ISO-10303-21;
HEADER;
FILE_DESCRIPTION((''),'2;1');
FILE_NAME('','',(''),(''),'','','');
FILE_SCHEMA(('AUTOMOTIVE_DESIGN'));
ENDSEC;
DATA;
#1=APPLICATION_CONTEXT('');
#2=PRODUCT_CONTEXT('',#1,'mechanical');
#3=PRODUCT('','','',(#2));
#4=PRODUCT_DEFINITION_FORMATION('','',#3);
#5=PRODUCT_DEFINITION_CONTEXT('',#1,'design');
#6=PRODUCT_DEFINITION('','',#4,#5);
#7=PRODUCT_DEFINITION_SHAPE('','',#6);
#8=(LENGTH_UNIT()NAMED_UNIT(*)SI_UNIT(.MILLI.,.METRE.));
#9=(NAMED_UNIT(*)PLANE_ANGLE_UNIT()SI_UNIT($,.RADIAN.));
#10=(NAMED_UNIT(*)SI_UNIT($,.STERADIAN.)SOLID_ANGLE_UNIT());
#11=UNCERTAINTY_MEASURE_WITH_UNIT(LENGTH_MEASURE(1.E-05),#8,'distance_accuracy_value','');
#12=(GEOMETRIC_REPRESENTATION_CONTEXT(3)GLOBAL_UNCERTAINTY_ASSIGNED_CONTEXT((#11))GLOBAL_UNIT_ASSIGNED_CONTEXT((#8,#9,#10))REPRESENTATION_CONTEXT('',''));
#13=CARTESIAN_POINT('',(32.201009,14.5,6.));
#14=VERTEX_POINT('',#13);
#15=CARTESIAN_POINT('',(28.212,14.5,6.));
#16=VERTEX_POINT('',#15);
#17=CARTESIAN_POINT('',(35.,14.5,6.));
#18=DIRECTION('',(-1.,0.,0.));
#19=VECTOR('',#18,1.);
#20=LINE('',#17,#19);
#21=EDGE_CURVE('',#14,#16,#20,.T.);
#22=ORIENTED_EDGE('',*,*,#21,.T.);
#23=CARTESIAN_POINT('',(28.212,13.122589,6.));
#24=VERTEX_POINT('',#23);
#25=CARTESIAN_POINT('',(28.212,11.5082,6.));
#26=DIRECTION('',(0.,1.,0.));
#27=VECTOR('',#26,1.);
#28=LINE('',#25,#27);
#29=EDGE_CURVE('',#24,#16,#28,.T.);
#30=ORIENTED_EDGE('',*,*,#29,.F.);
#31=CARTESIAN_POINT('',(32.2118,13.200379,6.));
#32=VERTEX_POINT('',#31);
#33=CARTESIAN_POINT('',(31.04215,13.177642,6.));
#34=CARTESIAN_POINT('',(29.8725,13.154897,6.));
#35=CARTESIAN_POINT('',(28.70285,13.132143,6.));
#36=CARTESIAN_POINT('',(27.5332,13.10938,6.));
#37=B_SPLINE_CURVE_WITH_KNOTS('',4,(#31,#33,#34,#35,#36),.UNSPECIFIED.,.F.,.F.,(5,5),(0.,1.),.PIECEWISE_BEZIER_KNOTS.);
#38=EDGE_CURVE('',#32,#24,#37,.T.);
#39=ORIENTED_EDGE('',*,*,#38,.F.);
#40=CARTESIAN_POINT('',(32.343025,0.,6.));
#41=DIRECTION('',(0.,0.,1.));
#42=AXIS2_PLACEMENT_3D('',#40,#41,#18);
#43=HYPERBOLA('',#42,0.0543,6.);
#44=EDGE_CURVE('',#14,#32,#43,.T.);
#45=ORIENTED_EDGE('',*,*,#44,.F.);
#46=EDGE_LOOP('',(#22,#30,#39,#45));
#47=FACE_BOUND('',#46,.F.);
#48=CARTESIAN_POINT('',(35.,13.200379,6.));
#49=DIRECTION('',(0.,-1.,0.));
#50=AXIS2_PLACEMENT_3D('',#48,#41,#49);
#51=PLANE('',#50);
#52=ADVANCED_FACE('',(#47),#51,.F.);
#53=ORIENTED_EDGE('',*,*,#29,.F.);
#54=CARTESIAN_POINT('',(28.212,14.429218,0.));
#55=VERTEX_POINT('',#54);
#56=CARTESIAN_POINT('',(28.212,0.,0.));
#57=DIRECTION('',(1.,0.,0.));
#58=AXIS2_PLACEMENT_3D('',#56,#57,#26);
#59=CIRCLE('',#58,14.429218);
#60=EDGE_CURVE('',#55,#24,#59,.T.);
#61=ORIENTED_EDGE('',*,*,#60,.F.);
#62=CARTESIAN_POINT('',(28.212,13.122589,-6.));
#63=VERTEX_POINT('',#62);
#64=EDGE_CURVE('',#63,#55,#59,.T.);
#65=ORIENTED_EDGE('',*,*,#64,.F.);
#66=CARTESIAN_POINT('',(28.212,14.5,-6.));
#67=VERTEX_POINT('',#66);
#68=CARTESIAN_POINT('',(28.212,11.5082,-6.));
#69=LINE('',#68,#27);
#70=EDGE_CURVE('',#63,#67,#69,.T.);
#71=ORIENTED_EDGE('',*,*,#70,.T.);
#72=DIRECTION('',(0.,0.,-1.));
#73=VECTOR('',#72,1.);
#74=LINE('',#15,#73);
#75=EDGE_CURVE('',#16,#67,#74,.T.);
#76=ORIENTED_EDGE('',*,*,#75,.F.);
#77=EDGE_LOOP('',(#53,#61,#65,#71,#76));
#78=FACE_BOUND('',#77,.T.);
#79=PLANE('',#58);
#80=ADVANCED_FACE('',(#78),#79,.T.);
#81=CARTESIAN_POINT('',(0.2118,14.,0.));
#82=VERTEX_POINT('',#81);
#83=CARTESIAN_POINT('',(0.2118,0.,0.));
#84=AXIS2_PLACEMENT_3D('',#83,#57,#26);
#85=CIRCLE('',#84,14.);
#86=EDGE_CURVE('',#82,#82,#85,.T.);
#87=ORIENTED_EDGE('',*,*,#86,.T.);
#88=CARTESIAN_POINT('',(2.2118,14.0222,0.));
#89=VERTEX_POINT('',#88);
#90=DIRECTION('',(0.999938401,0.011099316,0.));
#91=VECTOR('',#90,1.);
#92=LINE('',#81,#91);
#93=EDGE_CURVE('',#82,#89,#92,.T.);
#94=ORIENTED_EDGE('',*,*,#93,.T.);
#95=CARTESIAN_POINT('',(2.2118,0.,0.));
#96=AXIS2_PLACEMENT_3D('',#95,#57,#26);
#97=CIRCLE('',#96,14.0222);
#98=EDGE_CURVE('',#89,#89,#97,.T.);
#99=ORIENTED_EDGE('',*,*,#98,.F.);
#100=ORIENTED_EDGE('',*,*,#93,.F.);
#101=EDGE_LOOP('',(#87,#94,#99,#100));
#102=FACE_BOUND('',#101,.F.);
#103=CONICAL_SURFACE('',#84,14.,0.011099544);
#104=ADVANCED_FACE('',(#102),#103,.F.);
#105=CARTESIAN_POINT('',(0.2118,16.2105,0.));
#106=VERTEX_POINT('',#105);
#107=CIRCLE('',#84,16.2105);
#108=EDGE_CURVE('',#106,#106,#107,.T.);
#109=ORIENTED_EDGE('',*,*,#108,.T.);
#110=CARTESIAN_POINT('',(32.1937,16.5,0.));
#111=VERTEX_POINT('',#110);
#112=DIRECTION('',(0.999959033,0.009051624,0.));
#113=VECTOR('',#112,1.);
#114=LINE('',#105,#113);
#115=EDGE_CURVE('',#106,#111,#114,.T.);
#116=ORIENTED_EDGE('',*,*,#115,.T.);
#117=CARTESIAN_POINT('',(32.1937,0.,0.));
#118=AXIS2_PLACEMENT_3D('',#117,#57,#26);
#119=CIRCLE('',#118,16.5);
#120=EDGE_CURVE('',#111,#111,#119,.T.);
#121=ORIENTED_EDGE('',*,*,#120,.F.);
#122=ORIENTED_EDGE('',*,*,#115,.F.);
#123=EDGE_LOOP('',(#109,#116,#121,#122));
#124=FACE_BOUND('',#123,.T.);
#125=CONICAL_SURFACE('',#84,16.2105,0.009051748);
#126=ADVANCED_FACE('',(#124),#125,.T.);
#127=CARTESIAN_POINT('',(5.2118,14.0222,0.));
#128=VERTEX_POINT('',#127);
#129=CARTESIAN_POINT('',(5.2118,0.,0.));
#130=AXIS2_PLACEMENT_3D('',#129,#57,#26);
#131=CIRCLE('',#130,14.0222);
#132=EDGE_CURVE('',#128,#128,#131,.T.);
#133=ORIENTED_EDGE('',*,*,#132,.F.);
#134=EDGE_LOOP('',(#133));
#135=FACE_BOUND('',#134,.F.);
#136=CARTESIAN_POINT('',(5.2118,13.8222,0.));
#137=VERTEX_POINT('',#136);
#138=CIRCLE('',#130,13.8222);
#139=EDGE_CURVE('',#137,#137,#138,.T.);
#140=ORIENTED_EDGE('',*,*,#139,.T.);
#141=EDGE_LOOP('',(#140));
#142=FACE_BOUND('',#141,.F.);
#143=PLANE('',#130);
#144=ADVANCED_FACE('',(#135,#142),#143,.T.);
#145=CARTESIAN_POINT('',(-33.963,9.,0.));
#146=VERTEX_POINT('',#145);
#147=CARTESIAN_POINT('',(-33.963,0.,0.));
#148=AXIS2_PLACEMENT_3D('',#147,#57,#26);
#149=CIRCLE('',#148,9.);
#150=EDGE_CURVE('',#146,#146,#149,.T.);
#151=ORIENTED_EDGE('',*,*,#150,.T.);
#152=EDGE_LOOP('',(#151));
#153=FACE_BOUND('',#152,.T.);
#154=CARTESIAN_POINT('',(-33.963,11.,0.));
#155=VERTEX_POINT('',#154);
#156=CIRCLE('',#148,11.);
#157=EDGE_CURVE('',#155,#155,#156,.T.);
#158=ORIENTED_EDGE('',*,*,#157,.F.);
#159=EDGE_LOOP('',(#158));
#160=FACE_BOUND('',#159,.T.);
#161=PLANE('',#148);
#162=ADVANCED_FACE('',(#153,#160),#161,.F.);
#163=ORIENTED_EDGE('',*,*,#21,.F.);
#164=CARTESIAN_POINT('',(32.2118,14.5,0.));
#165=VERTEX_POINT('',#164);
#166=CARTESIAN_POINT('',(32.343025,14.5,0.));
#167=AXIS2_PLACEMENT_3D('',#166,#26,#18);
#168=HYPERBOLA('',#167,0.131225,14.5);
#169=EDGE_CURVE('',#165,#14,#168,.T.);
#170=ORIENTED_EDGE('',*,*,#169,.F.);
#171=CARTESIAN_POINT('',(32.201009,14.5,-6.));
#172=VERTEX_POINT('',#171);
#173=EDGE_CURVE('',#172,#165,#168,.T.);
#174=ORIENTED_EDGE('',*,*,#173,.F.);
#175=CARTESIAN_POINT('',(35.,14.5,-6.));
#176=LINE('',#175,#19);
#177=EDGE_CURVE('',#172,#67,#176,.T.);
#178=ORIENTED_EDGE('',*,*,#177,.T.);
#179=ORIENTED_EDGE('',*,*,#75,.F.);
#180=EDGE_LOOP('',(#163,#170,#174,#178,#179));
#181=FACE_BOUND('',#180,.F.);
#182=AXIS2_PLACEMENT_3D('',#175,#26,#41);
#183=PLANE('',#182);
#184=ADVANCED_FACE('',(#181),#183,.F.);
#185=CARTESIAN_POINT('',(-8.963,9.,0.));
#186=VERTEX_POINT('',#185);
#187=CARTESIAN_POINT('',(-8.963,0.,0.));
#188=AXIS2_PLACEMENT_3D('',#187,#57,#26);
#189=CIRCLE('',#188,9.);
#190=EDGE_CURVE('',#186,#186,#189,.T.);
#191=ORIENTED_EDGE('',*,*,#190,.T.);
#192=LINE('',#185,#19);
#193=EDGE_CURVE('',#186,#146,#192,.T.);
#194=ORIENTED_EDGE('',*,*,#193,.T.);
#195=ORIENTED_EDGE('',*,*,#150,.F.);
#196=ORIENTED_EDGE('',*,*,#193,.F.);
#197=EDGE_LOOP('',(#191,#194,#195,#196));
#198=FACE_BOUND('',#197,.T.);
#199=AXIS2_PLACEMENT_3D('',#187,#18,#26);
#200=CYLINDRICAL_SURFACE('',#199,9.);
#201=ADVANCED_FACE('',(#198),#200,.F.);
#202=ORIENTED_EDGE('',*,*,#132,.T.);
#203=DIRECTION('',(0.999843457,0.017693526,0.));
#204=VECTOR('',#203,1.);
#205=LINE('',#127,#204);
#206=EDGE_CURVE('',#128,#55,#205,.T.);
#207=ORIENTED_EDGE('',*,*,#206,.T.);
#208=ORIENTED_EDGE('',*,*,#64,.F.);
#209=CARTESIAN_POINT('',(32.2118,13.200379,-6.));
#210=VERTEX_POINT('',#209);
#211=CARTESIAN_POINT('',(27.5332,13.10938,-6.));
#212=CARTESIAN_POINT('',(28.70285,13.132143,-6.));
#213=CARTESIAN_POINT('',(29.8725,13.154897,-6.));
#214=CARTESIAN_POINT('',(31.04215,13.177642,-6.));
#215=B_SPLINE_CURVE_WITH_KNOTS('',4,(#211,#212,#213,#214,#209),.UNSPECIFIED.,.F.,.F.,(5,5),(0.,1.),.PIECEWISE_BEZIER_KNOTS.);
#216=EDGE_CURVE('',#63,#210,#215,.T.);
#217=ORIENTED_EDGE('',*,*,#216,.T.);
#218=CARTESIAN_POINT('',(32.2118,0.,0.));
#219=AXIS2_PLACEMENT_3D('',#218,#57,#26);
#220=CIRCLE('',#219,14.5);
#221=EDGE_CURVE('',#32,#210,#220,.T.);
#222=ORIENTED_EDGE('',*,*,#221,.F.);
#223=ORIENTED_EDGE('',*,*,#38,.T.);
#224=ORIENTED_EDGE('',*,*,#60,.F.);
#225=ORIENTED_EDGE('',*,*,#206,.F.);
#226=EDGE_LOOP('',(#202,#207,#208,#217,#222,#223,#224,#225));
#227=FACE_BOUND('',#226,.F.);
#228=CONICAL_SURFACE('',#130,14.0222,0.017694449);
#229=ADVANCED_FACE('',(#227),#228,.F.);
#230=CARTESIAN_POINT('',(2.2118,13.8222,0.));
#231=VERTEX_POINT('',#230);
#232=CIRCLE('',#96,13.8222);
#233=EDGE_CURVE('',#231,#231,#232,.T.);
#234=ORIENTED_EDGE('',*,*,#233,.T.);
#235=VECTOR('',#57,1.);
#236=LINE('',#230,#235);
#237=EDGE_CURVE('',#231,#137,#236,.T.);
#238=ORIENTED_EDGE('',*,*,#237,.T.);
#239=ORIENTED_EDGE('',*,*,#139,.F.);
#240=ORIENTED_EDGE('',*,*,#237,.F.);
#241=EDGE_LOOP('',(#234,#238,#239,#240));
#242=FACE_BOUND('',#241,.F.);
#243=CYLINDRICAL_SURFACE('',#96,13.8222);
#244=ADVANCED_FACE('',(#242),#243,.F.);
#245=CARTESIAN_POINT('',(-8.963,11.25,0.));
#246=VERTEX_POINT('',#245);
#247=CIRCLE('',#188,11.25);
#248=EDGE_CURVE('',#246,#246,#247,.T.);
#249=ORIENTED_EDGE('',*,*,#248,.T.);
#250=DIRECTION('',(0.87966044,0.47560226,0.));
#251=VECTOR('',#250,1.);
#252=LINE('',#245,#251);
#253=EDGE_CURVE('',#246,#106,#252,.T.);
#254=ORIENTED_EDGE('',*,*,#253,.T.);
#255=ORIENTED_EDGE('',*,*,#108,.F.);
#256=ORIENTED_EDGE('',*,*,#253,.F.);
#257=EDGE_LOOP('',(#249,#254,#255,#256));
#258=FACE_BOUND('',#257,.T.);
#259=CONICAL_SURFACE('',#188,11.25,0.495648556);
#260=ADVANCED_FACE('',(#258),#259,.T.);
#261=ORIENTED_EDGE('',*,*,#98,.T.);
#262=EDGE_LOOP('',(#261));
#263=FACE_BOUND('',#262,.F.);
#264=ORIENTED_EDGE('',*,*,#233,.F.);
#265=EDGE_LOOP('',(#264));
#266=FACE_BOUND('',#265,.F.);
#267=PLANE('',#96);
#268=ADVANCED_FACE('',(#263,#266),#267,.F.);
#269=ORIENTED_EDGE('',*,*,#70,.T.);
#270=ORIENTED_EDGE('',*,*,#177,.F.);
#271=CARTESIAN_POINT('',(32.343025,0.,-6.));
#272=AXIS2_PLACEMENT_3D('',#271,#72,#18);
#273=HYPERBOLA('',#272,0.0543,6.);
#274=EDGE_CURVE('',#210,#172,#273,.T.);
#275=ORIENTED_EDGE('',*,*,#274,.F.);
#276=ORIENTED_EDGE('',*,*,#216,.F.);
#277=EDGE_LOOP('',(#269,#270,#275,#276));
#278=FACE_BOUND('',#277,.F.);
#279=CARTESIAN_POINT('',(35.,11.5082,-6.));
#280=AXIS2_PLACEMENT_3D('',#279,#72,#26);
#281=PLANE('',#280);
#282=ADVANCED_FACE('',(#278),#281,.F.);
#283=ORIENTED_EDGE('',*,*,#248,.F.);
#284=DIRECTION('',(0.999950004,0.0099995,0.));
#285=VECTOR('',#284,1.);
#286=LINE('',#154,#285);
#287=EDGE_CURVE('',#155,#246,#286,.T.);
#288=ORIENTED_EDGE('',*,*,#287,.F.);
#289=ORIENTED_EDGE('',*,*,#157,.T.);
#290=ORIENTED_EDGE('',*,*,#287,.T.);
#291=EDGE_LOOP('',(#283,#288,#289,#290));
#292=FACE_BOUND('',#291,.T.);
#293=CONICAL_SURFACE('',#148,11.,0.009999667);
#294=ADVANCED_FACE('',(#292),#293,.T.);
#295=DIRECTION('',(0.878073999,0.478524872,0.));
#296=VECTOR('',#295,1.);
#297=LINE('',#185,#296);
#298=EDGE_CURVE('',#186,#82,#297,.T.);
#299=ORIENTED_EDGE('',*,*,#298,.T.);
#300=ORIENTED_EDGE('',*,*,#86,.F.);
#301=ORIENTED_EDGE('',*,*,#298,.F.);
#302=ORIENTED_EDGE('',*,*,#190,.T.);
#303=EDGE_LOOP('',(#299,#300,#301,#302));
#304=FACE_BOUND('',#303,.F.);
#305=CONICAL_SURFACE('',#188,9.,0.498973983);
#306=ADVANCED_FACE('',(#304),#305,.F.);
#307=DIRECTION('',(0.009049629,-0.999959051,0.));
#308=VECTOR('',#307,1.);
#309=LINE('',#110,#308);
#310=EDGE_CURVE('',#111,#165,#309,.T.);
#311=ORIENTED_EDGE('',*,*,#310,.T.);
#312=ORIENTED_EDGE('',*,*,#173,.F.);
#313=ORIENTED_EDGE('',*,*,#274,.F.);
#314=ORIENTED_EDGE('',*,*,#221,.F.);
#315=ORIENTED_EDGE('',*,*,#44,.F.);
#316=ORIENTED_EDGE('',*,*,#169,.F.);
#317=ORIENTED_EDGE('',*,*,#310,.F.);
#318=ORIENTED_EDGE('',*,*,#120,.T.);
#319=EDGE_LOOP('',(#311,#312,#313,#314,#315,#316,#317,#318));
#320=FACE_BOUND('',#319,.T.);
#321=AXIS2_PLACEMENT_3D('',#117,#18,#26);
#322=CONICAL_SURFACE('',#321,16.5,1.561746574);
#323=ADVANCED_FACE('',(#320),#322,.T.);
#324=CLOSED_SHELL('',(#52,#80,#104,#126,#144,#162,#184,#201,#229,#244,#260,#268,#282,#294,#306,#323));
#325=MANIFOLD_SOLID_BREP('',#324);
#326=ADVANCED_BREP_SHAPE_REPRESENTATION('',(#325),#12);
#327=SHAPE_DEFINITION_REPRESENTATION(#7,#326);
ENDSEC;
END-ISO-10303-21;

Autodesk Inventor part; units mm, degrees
ref_plane "XZ Plane" through (0, 0, 0) normal (0, 1, 0) x (-1, 0, 0)
ref_plane "XY Plane" through (0, 0, 0) normal (0, 0, 1) x (1, 0, 0)
sketch "Sketch1" plane through (0, 0, 0) normal (0, 0, 1) x (1, 0, 0)
  line L0 (0.2085, 0) -> (9, 0)
  line L1 (2.2118, 14.0222) -> (2.2118, 13.8222)
  line L2 (2.2118, 13.8222) -> (5.2118, 13.8222)
  line L3 (5.2118, 13.8222) -> (5.2118, 14.0222)
  line L4 (0.2118, 14) -> (2.2118, 14.0222)
  line L5 (5.2118, 14.0222) -> (32.2118, 14.5)
  line L6 (-8.963, 9) -> (0.2118, 14)
  line L7 (-8.963, 9) -> (-33.963, 9)
  line L8 (-33.963, 9) -> (-33.963, 11)
  line L9 (-33.963, 11) -> (-8.963, 11.25)
  line L10 (-8.963, 11.25) -> (0.2118, 16.2105)
  line L11 (0.2118, 16.2105) -> (32.1937, 16.5)
  line L12 (32.1937, 16.5) -> (32.2118, 14.5)
  point P0 (0, 0)
  dimension "d1" = 14.5
  dimension "d2" = 14
  dimension "d5" = 32
  dimension "d7" = 3
  dimension "d8" = 2
  dimension "d9" = 0.2
  dimension "d10" = 0.2
  dimension "d11" = 9
  dimension "d12" = 0
  dimension "d16" = 0
  dimension "d17" = 25
  dimension "d18" = 11.25
  dimension "d19" = 11
  dimension "d20" = 0
  dimension "d21" = 2
  dimension "d23" = 25
revolve "Revolution1" add sketch "Sketch1" angle 360 about axis through (0.2085, 0, 0) along (1, 0, 0)
ref_plane "Work Plane1" through (35, 0, 0) normal (1, 0, 0) x (0, 1, 0)
sketch "Sketch2" plane through (35, 0, 0) normal (1, 0, 0) x (0, 1, 0)
  circle A0 centre (0, 0) radius 16.5 projected
  circle A1 centre (0, 0) radius 14.5 projected
  line L0 (11.5082, -6) -> (14.5, -6)
  line L1 (14.5, -6) -> (14.5, 6)
  line L2 (14.5, 6) -> (11.5082, 6)
  line L3 (11.5082, 6) -> (11.5082, -6)
  line L4 (14.695, 6) -> (14.695, -6)
  line L5 (14.695, -6) -> (14.5, -6)
  line L6 (14.695, 6) -> (14.5, 6)
  dimension "d25" = 12
  dimension "d26" = 6
extrude "Extrusion1" cut sketch "Sketch2" against normal blind 6.788 contours A1 L0 L3 L2 | L1 L0 A1 | A1 L2 L1 picked at (12.5055, 0)
sketch "Sketch3" plane through (35, 0, 0) normal (1, 0, 0) x (0, 1, 0)
  point P0 (0, 0)
ref_plane "Work Plane2" through (32.194, 0, 0) normal (1, 0, 0) x (0, 1, 0)
equation "\"d10\" = d9"
properties part number "fitting non rebreathing valve v2"
